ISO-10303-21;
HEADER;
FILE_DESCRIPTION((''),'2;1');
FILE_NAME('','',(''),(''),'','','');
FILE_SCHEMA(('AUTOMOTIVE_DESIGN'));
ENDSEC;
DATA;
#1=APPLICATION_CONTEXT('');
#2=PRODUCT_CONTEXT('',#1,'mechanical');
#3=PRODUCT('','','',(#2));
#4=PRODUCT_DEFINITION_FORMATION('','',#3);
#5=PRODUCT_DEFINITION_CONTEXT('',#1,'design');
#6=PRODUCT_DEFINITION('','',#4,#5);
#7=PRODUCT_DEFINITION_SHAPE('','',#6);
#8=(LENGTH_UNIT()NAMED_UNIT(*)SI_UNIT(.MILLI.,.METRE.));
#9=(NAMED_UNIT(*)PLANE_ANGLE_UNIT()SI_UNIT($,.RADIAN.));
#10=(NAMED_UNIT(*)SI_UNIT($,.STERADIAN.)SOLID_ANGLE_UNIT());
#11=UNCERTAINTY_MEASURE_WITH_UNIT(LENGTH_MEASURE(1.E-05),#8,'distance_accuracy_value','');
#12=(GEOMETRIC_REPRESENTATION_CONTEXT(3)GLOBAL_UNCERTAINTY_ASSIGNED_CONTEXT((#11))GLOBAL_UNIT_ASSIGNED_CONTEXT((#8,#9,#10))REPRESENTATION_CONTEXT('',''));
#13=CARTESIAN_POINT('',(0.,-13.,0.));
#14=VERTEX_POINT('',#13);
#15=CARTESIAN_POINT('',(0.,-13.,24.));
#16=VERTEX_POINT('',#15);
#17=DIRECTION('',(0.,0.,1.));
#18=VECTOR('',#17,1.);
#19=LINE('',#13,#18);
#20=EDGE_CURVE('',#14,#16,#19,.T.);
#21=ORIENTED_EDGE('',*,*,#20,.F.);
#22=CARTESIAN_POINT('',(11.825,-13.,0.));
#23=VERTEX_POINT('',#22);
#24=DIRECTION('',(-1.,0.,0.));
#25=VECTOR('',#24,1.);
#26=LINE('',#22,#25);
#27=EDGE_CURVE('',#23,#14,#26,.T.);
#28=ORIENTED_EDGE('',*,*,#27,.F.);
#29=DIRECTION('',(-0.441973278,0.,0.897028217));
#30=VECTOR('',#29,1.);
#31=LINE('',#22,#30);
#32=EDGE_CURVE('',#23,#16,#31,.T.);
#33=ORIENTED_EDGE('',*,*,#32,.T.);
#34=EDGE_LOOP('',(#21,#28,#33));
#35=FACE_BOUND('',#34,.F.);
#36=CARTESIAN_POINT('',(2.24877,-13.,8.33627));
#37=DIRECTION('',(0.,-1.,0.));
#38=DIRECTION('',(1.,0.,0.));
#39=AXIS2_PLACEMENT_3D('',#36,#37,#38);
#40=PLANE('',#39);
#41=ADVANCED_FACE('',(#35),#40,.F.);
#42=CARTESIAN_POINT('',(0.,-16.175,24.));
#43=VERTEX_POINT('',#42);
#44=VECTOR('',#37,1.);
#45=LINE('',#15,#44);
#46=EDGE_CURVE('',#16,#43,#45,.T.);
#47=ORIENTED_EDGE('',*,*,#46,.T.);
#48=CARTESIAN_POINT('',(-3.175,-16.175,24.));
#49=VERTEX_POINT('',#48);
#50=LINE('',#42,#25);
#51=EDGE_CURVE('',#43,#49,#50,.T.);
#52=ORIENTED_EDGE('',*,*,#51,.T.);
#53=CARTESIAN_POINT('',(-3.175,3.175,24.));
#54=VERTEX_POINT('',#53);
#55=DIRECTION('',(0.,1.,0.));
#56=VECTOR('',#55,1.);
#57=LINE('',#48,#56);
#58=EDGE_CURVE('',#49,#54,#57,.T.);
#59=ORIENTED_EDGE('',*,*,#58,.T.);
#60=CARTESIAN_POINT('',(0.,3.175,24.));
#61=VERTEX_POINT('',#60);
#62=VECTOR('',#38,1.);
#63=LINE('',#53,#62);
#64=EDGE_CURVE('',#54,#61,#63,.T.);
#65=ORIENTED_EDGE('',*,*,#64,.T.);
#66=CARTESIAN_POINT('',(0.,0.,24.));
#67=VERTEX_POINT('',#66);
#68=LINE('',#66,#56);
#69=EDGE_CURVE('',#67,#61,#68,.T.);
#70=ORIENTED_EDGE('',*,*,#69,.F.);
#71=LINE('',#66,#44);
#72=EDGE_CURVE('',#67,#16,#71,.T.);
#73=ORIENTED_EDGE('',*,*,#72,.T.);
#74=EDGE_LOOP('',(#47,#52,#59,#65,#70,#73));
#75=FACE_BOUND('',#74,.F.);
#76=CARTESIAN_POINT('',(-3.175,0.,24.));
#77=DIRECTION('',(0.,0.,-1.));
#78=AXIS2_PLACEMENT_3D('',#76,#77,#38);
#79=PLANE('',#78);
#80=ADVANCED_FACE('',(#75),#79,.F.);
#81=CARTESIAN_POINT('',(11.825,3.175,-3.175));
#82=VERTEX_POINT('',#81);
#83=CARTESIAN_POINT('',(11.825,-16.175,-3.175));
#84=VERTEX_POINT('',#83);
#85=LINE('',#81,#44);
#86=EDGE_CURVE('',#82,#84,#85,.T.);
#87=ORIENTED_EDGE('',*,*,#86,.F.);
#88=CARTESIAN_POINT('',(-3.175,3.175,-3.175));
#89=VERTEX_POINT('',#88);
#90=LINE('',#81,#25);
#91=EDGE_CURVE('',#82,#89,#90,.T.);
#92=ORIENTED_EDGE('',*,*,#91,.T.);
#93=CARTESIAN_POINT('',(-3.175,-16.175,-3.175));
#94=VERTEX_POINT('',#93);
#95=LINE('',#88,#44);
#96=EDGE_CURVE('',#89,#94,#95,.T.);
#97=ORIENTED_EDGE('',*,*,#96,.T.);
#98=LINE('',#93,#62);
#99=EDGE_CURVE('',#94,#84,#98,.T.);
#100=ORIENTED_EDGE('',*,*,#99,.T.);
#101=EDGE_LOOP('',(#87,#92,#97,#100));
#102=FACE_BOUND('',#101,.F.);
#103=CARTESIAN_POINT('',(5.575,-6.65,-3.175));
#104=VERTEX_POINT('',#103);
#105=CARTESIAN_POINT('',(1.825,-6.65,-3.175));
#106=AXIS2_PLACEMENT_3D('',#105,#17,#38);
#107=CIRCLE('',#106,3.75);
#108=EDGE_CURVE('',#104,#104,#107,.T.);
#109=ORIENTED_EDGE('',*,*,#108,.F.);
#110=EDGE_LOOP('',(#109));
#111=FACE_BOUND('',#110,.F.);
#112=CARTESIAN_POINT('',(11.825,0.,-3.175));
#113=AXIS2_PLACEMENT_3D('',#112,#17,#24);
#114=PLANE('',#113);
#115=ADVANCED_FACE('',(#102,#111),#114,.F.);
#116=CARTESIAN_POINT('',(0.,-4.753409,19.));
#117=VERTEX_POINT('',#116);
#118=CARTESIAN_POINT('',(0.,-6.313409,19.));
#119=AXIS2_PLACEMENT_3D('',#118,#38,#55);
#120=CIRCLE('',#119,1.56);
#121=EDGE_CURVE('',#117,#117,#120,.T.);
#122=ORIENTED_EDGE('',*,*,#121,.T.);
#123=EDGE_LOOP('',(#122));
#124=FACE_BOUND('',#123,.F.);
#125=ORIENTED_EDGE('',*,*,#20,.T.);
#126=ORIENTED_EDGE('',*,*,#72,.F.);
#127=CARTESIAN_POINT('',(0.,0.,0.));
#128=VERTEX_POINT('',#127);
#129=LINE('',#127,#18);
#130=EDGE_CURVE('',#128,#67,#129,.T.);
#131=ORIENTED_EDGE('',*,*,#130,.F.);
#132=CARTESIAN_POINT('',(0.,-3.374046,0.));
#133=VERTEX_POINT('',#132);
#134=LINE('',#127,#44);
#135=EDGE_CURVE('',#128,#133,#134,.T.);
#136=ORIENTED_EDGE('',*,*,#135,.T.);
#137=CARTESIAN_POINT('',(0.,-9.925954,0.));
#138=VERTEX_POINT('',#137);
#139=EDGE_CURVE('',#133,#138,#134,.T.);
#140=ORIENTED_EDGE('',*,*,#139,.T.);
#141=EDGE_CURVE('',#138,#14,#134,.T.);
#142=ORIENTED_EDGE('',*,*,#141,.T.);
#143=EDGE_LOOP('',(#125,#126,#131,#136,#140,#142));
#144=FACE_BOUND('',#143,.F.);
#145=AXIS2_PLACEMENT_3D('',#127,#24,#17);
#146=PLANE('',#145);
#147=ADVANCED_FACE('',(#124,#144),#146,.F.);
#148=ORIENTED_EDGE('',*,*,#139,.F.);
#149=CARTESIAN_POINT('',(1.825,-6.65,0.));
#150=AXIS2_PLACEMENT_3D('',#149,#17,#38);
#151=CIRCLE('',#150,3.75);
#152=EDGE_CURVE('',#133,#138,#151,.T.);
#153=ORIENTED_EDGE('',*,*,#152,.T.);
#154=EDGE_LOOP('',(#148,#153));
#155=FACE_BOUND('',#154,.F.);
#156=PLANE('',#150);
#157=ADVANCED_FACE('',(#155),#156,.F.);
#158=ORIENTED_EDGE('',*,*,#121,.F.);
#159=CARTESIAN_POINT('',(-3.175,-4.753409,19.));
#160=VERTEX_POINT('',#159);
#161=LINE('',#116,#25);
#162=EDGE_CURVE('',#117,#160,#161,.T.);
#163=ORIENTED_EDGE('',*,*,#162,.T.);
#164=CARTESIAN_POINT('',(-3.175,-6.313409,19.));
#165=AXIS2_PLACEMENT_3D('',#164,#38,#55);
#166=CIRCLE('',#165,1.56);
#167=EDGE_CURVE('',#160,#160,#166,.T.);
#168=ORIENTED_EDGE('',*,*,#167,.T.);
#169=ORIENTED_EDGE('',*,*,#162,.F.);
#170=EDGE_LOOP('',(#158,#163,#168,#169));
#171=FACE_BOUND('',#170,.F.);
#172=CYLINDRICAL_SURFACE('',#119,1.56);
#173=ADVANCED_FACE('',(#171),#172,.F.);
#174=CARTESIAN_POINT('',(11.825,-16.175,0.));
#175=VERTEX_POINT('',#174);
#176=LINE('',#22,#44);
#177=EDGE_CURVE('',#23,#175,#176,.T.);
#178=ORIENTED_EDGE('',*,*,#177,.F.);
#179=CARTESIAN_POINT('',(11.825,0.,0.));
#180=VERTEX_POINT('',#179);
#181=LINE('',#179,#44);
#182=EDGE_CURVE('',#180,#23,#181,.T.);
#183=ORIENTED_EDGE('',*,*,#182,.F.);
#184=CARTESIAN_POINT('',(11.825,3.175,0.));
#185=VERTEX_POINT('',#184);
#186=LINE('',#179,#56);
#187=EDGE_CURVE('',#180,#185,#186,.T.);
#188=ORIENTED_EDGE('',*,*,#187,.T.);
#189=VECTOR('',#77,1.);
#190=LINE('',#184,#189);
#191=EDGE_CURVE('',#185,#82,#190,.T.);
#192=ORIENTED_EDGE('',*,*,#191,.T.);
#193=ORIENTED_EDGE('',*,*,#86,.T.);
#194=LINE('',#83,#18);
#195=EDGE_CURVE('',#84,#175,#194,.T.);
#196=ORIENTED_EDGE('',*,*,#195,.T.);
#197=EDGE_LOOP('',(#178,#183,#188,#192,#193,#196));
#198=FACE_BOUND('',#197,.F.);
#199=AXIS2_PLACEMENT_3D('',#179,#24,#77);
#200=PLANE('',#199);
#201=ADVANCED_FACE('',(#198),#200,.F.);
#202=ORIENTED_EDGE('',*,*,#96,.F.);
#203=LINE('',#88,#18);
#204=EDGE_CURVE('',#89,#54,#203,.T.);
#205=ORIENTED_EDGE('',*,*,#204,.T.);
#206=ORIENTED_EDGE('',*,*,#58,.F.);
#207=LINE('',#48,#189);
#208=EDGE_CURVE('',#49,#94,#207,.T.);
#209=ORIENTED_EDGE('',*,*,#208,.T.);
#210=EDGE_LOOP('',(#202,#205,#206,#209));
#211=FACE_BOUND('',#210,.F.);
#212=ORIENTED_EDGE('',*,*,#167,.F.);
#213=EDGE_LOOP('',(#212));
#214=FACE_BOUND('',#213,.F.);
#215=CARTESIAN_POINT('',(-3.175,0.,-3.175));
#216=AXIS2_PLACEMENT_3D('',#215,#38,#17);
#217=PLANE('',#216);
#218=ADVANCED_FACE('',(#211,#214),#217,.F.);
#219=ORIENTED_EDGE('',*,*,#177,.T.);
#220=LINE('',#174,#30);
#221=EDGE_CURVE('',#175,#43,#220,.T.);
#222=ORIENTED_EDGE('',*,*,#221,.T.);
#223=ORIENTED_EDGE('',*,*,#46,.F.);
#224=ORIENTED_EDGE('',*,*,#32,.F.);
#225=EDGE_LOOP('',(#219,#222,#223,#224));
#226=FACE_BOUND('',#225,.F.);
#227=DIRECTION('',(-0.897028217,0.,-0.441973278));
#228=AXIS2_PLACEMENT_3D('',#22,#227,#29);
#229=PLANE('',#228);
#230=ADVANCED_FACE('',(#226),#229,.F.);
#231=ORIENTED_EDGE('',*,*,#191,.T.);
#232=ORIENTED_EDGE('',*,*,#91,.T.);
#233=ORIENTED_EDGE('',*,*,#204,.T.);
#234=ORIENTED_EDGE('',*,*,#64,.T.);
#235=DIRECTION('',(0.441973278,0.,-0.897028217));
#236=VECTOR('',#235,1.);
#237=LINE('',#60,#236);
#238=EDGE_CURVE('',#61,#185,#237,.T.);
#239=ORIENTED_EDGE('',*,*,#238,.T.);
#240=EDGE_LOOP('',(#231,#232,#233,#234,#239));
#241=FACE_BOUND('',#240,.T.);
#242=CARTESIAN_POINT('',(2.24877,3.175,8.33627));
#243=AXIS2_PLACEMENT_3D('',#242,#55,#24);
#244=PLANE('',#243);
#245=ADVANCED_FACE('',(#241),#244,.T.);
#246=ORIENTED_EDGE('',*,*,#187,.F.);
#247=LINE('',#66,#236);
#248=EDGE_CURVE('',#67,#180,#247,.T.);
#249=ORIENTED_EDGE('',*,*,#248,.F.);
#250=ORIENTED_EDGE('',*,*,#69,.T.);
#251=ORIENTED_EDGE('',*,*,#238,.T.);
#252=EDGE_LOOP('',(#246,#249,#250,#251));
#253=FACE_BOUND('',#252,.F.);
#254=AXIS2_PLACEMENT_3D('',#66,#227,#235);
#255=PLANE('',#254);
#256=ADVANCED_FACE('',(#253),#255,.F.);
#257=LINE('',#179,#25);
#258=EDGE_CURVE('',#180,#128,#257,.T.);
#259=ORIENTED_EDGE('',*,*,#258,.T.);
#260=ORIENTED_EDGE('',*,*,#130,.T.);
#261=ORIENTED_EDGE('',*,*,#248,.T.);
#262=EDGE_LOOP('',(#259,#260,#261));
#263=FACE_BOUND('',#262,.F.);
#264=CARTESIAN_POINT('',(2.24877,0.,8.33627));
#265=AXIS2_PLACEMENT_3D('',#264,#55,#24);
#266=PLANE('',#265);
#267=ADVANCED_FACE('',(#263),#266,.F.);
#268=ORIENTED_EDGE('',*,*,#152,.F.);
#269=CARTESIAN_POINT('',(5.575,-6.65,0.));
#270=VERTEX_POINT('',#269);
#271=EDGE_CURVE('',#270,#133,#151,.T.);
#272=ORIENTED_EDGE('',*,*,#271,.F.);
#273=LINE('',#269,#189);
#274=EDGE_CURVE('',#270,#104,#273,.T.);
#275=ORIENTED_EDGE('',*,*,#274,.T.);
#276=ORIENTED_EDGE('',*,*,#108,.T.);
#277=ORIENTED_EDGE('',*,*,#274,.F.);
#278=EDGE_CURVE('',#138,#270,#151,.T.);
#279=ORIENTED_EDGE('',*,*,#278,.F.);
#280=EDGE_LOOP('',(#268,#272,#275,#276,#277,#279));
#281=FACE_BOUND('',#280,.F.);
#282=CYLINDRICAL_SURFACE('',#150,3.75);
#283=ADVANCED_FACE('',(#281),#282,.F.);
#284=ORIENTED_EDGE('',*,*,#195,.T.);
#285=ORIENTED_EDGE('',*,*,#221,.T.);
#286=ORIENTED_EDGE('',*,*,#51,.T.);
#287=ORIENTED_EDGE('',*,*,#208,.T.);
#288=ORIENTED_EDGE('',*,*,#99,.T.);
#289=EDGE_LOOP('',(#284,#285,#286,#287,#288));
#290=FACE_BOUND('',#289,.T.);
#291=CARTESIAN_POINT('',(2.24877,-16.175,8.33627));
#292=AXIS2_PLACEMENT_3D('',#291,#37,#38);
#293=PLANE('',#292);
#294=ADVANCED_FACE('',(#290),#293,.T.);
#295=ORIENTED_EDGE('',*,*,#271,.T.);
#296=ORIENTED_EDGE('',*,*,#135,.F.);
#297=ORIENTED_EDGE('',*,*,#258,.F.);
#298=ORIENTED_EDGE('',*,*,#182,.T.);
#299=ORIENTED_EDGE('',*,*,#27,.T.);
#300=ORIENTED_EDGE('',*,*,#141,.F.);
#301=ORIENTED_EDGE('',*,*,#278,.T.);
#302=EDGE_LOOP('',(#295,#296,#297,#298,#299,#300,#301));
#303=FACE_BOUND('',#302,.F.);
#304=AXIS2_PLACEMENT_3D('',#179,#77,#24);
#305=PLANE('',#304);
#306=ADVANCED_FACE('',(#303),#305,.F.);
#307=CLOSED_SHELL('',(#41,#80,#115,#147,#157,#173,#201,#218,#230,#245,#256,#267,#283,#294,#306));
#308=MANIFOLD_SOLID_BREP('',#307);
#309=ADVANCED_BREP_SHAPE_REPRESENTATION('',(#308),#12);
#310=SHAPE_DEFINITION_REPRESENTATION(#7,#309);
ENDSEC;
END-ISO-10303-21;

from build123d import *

# Parameters (mm, degrees)
F1_DEPTH = 13
F3_DEPTH = 3.175
F5_DEPTH = 3.175
F6_R     = 3.75
F7_DEPTH = 3.176
F8_R     = 1.56
F9_DEPTH = 3.176


with BuildPart() as f1:
    # F0 (on Front) → F1 (new body)
    with BuildSketch(Plane.XZ):
        Polygon((0, 24), (-3.175, 24), (-3.175, -3.175), (11.825, -3.175), (11.825, 0), (0, 0), align=None)
    extrude(amount=F1_DEPTH)

    # F2 (on face) → F3 (join)
    with BuildSketch(Plane.XZ.offset(13)):
        Polygon((0, 24), (-3.175, 24), (-3.175, -3.175), (11.825, -3.175), (11.825, 0), align=None)
    extrude(amount=F3_DEPTH)

    # F4 (on face) → F5 (join)
    with BuildSketch(Plane(origin=(0, 0, 0), x_dir=(-1, 0, 0), z_dir=(0, 1, 0))):
        Polygon((3.175, -3.175), (3.175, 24), (0, 24), (-11.825, 0), (-11.825, -3.175), align=None)
    extrude(amount=F5_DEPTH)

    # F6 (on face) → F7 (cut, through all)
    with BuildSketch(Plane.XY):
        with Locations((1.825, -6.65)):
            Circle(F6_R)
    extrude(amount=-F7_DEPTH, mode=Mode.SUBTRACT)

    # F8 (on face) → F9 (cut, through all)
    with BuildSketch(Plane.YZ):
        with Locations((-6.313409, 19)):
            Circle(F8_R)
    extrude(amount=-F9_DEPTH, mode=Mode.SUBTRACT)


solid = f1.part
